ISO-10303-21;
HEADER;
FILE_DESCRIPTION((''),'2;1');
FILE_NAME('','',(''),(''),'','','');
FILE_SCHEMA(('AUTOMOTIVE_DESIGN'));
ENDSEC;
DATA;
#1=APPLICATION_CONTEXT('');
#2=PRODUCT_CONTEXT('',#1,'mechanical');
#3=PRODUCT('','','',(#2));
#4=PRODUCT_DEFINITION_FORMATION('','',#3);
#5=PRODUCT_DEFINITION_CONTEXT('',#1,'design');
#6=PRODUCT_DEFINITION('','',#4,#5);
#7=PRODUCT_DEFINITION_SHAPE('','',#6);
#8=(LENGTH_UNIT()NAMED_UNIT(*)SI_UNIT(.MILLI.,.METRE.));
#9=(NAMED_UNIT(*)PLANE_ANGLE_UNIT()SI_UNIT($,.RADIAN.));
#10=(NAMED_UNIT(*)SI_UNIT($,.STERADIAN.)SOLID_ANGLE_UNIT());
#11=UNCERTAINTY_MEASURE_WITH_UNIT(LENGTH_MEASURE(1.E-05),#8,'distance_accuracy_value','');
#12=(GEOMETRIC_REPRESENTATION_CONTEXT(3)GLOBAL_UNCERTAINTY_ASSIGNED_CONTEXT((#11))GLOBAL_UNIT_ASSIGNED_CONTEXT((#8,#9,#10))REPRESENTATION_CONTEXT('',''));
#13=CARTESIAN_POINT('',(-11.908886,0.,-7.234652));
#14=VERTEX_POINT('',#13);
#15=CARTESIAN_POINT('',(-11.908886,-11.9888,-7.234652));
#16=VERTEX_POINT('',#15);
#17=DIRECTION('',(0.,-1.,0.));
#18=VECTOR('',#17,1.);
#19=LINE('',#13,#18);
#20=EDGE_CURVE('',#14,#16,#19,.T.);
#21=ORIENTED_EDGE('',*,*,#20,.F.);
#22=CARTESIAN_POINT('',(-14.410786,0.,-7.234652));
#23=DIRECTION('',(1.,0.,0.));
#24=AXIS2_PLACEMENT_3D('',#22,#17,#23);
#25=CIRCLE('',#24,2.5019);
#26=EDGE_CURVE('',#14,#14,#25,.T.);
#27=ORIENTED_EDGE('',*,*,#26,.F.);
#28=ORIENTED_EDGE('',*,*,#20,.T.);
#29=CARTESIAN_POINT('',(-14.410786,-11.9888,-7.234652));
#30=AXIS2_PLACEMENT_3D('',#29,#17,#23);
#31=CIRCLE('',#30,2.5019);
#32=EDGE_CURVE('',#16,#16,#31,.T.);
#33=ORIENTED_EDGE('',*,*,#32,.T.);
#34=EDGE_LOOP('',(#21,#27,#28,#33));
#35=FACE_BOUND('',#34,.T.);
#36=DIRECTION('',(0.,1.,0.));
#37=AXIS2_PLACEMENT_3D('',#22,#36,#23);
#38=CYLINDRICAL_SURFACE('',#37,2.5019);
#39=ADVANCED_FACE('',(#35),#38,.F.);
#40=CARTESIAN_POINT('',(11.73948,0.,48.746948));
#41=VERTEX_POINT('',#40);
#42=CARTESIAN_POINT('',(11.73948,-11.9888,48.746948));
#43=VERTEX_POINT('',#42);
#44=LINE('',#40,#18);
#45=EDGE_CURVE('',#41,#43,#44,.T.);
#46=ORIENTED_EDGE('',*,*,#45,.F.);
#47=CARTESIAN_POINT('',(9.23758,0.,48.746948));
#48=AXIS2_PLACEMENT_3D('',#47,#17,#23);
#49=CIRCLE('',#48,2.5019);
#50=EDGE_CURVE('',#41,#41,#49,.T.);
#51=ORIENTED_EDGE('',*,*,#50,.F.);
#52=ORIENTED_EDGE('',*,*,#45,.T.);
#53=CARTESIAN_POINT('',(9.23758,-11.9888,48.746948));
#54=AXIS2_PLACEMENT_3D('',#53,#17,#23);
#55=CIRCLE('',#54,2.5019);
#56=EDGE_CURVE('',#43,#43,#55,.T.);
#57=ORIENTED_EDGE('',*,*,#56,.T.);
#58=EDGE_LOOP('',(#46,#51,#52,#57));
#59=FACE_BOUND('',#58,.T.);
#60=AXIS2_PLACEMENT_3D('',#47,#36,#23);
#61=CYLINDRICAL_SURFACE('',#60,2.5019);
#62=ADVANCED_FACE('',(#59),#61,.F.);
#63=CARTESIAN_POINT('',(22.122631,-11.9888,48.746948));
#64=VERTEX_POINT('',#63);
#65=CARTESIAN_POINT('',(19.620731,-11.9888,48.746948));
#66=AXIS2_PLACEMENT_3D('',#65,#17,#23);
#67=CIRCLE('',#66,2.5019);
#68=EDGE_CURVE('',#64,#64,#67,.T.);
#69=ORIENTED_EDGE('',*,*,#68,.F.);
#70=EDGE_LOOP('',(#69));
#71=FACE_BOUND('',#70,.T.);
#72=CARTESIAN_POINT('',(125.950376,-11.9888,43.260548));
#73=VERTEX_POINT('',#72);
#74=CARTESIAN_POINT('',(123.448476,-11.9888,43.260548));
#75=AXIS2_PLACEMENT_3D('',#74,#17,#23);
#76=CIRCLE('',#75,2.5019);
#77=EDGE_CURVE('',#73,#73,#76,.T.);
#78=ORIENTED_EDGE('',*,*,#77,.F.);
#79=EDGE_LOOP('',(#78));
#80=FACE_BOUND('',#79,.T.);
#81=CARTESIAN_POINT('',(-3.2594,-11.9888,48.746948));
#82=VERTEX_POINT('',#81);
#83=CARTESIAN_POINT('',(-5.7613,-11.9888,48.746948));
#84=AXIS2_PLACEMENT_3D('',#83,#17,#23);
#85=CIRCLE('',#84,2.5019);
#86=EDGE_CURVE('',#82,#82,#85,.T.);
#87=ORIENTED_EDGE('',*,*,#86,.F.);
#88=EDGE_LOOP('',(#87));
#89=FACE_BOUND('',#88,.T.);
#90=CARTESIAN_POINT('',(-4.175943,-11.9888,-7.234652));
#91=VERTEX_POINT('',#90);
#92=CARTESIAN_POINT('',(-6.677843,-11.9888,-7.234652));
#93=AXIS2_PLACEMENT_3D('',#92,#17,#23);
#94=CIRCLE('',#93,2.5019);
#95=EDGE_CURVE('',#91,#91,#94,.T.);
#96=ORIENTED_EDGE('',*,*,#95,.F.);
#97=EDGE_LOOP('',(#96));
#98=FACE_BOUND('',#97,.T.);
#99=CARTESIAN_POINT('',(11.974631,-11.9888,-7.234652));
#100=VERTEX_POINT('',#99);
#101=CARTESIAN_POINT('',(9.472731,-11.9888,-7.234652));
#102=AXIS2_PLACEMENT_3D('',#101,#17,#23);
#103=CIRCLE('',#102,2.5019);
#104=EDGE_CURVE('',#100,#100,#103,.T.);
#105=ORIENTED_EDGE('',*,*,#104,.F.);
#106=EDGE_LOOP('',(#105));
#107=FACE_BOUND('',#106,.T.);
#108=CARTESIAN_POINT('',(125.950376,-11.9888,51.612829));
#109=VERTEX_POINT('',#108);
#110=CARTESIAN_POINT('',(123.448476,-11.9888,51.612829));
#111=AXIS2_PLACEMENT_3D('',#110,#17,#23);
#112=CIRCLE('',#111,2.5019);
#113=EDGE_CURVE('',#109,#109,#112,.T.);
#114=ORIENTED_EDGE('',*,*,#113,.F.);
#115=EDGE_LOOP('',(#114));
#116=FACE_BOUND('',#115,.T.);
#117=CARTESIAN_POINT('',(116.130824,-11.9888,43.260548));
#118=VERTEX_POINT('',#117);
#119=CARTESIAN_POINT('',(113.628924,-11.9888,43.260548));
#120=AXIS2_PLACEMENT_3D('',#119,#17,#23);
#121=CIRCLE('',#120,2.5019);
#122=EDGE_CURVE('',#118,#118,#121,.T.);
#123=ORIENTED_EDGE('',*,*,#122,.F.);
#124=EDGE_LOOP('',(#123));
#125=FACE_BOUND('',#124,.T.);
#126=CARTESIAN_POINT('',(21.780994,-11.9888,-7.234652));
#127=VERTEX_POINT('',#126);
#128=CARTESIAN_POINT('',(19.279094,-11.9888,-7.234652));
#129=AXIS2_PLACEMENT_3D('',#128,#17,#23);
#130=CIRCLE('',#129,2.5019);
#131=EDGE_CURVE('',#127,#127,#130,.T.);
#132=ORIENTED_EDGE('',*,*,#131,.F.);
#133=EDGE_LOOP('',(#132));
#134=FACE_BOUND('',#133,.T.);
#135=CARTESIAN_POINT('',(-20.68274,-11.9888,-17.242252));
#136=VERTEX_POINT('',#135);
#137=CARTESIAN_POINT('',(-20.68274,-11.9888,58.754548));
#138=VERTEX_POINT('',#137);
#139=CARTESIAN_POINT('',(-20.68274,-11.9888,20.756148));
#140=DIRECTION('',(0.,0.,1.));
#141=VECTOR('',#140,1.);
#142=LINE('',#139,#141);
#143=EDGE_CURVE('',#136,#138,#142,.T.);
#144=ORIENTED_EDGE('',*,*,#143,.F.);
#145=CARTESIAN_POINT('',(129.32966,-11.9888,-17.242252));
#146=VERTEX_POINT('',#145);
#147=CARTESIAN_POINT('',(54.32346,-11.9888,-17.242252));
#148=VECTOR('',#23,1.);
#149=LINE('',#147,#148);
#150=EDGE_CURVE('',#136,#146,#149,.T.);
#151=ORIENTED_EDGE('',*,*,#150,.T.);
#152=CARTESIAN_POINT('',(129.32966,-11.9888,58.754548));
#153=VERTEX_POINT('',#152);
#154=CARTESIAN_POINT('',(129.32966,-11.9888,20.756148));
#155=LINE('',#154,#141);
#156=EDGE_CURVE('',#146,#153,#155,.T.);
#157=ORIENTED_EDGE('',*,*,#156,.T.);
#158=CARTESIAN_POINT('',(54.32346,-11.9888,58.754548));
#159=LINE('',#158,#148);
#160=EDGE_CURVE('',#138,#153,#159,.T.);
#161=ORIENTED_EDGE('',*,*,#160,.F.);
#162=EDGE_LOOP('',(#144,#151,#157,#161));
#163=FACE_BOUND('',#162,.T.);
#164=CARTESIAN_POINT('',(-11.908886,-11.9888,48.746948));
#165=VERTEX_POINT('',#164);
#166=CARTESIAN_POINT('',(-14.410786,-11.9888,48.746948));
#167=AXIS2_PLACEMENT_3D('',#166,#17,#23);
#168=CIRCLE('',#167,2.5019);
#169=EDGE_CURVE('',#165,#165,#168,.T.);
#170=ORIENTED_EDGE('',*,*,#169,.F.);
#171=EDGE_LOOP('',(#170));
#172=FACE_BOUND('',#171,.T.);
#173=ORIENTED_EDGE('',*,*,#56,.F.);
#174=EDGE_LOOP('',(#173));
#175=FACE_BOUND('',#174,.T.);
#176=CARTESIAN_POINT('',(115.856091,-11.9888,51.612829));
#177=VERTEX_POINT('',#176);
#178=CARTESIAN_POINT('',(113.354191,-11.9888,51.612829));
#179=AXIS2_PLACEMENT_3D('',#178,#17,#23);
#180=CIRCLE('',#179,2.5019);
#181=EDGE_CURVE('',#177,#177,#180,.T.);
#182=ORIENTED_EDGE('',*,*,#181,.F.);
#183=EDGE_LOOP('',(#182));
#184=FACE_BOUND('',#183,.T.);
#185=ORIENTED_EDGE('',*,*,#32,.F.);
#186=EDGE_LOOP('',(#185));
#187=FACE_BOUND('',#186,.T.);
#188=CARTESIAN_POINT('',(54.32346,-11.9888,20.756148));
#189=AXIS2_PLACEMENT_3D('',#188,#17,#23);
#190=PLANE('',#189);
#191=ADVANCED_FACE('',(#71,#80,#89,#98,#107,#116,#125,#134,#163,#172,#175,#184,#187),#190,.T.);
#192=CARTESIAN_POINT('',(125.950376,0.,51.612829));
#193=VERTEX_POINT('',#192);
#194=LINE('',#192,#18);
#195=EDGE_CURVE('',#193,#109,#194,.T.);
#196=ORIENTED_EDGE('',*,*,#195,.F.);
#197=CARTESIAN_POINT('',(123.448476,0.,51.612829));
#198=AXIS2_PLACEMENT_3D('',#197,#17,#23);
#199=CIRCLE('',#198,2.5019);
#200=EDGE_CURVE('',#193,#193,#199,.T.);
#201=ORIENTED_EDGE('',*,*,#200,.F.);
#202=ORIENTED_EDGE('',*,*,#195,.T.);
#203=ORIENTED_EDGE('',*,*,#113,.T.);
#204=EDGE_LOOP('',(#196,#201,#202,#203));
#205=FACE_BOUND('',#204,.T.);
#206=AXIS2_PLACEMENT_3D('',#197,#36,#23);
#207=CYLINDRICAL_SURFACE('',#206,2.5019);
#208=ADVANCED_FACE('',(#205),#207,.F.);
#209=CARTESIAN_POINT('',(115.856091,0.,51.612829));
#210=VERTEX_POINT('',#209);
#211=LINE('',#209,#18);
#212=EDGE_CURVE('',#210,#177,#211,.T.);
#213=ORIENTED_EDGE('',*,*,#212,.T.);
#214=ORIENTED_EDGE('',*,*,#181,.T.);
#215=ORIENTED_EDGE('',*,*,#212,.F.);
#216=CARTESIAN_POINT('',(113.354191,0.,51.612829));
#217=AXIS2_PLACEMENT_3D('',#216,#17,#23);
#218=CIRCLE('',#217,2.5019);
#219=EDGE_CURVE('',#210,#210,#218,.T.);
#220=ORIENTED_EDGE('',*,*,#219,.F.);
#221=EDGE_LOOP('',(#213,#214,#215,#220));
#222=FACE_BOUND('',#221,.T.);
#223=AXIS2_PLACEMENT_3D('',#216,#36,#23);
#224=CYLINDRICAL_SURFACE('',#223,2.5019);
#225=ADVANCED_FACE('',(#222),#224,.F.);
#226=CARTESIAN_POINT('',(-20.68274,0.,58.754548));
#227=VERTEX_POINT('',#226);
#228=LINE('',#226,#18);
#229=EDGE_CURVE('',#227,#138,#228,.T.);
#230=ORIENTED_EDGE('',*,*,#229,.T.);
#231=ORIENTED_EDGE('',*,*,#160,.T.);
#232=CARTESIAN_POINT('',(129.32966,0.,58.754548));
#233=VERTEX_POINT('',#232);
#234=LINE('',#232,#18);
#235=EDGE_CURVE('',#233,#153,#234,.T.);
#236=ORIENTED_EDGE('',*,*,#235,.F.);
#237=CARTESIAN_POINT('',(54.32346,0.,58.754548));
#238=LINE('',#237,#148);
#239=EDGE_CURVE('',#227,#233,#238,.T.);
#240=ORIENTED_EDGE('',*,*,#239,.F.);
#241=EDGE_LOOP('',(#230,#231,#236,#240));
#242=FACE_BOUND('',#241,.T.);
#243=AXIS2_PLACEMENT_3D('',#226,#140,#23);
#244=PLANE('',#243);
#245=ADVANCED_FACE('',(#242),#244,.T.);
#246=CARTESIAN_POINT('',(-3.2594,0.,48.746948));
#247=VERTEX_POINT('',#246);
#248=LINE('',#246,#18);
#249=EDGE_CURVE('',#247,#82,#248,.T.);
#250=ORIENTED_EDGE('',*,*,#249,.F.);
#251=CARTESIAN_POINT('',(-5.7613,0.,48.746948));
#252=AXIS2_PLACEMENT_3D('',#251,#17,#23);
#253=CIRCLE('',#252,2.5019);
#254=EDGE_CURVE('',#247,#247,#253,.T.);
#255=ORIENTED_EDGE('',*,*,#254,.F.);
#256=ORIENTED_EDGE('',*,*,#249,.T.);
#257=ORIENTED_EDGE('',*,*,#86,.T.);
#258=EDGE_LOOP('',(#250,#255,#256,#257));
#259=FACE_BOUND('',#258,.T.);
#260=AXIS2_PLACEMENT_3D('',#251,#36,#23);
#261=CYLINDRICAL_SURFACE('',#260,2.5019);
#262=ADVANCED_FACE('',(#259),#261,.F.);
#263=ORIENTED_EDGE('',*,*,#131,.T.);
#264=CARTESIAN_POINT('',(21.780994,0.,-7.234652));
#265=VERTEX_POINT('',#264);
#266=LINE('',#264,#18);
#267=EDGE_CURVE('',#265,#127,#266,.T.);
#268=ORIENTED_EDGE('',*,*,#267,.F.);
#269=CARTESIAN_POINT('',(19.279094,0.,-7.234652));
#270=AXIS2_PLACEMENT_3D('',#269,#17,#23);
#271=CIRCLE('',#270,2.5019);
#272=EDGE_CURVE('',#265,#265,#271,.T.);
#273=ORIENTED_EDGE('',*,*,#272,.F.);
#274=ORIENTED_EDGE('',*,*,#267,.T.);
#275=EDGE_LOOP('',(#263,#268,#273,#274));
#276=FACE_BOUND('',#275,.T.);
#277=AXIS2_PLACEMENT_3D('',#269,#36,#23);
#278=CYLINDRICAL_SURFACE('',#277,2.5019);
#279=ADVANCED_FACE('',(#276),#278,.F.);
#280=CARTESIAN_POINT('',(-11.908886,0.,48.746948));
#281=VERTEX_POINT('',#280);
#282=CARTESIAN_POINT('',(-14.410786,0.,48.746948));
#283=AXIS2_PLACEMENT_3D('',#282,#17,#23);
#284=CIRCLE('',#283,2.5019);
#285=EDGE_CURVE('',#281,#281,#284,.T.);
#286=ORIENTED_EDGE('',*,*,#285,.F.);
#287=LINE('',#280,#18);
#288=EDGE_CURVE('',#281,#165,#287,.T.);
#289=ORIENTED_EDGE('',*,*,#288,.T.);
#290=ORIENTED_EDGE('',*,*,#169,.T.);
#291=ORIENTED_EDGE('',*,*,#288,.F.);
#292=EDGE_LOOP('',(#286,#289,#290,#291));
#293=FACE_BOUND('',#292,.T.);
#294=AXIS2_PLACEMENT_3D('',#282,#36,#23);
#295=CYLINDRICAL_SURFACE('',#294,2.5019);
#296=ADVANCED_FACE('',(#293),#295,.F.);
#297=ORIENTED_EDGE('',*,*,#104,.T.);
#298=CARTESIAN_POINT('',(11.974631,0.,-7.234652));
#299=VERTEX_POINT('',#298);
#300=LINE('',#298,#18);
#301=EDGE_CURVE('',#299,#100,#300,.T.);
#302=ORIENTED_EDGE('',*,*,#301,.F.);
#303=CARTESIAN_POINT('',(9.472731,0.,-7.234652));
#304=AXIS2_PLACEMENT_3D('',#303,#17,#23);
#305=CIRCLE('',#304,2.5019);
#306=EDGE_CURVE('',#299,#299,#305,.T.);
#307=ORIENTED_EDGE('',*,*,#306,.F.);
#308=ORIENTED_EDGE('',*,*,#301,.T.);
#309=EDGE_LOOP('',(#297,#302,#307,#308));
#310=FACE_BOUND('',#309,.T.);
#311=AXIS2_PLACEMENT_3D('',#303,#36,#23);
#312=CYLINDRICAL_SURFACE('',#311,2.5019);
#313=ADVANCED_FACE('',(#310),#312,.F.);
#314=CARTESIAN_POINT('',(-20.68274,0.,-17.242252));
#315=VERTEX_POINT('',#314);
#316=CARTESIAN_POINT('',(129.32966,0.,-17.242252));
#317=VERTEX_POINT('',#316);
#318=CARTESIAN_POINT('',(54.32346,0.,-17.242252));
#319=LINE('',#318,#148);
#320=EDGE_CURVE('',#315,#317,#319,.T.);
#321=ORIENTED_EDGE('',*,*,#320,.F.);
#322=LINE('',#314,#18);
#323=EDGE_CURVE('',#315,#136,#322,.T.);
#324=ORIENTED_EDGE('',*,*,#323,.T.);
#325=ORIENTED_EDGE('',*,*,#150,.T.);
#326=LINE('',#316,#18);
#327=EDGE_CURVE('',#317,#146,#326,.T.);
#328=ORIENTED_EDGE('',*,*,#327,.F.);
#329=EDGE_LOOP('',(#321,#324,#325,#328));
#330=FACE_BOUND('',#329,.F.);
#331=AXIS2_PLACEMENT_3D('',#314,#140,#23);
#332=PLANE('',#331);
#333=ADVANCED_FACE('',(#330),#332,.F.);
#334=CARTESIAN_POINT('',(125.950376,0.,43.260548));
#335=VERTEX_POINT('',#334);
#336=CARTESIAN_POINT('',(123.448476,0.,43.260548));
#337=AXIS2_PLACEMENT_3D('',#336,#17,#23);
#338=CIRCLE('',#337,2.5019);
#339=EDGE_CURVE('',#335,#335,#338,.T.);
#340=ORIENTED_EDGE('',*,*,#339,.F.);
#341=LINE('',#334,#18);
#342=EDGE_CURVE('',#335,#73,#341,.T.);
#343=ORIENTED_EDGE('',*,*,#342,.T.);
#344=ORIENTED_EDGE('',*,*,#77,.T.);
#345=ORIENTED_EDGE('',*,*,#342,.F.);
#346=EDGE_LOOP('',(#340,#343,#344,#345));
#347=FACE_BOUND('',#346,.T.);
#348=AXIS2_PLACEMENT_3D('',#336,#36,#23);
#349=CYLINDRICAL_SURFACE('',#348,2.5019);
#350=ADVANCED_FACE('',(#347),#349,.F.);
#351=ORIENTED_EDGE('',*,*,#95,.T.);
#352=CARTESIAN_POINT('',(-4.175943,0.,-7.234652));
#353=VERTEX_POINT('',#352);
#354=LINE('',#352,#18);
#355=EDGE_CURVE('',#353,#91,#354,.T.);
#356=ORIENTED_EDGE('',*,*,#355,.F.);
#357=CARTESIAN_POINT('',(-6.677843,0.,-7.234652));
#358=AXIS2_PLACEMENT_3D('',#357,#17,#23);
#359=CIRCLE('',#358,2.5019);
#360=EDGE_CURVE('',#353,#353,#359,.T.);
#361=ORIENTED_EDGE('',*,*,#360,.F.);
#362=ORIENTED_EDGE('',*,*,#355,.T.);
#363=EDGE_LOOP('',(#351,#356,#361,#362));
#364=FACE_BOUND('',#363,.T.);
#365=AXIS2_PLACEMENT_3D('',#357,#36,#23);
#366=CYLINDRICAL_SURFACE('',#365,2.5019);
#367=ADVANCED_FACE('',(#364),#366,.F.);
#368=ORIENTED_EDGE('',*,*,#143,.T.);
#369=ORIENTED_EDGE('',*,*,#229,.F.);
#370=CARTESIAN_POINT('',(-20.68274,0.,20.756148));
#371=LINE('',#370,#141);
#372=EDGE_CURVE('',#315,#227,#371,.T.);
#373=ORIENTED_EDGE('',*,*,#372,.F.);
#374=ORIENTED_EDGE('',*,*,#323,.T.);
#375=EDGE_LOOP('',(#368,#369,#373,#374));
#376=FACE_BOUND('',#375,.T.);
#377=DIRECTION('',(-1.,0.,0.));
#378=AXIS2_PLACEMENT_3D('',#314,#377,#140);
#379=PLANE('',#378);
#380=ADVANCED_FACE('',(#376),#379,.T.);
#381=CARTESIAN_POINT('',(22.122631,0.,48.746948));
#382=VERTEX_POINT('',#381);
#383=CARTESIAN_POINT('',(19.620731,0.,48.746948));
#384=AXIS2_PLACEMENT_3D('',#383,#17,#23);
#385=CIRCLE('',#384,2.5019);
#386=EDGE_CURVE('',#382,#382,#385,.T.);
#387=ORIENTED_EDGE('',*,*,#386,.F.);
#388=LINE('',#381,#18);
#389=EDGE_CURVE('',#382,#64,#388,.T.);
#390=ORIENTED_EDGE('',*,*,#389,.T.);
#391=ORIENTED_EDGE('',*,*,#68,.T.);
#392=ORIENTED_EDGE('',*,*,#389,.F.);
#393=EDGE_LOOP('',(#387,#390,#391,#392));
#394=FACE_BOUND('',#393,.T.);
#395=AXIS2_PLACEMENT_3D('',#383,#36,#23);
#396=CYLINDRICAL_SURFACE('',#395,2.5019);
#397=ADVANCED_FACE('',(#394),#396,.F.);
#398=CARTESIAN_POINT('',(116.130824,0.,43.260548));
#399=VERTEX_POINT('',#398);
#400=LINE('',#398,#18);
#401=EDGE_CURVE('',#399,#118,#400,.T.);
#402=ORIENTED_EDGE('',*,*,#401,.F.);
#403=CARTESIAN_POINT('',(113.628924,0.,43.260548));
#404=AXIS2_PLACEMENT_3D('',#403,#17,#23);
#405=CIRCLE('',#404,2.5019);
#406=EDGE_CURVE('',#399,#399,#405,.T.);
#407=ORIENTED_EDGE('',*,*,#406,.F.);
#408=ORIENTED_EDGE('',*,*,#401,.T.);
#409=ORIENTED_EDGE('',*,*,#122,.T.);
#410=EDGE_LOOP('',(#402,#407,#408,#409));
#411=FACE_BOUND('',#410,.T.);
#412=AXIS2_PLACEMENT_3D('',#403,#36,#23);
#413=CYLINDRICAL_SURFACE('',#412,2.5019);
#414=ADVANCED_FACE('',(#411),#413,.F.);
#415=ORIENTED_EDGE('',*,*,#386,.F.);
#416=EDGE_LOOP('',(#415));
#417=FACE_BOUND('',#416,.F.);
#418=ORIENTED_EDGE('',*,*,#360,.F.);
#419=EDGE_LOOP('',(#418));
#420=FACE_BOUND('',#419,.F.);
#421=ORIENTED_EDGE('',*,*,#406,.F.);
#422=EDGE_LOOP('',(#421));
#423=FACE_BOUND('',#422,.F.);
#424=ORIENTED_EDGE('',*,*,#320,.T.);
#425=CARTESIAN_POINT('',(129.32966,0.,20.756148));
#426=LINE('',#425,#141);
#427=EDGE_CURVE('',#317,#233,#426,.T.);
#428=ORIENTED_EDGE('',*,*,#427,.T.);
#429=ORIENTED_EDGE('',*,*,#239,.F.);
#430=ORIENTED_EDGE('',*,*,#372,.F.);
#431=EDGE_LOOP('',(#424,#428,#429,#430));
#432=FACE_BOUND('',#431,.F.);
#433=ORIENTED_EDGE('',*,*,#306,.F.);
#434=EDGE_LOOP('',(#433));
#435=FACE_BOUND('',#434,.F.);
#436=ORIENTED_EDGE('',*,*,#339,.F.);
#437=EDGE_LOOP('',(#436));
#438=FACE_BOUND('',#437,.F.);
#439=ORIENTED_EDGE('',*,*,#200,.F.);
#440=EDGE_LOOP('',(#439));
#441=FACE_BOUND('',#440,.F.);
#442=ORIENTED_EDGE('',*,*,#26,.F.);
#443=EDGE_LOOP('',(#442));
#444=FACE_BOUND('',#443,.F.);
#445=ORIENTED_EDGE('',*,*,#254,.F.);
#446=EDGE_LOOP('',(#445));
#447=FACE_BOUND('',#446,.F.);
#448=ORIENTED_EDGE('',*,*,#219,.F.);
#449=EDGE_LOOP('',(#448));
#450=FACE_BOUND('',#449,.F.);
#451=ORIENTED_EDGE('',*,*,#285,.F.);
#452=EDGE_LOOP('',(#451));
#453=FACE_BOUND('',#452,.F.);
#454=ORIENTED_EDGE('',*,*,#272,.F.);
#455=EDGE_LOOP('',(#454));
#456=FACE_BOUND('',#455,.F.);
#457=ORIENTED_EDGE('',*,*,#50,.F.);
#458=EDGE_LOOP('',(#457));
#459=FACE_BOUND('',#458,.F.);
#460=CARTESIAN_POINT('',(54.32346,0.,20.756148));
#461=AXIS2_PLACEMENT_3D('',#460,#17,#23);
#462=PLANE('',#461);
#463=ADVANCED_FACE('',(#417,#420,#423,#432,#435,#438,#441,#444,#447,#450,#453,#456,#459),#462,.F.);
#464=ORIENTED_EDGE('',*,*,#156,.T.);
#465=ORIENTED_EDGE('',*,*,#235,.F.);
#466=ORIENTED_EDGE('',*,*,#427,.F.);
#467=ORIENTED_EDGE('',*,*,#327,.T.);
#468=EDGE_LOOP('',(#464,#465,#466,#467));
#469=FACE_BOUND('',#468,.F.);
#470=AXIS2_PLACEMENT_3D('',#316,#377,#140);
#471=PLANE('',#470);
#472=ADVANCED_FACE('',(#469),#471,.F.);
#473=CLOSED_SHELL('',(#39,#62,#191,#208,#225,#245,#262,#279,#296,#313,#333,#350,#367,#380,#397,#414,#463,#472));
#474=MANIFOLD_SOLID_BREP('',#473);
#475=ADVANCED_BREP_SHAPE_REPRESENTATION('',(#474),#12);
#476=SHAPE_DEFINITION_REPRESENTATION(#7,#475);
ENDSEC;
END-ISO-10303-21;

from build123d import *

# Parameters (mm, degrees)
F0_W     = 150.0124
F0_H     = 75.9968
F0_R     = 2.5019
F1_DEPTH = 11.9888


with BuildPart() as f1:
    # F0 (on Front) → F1 (new body)
    with BuildSketch(Plane.XZ):
        with Locations((54.32346, 20.756148)):
            Rectangle(F0_W, F0_H)
        with Locations((-14.410786, -7.234652)):
            Circle(F0_R, mode=Mode.SUBTRACT)
        with Locations((-6.677843, -7.234652)):
            Circle(F0_R, mode=Mode.SUBTRACT)
        with Locations((9.472731, -7.234652)):
            Circle(F0_R, mode=Mode.SUBTRACT)
        with Locations((19.279094, -7.234652)):
            Circle(F0_R, mode=Mode.SUBTRACT)
        with Locations((-14.410786, 48.746948)):
            Circle(F0_R, mode=Mode.SUBTRACT)
        with Locations((-5.7613, 48.746948)):
            Circle(F0_R, mode=Mode.SUBTRACT)
        with Locations((9.23758, 48.746948)):
            Circle(F0_R, mode=Mode.SUBTRACT)
        with Locations((19.620731, 48.746948)):
            Circle(F0_R, mode=Mode.SUBTRACT)
        with Locations((113.628924, 43.260548)):
            Circle(F0_R, mode=Mode.SUBTRACT)
        with Locations((123.448476, 43.260548)):
            Circle(F0_R, mode=Mode.SUBTRACT)
        with Locations((113.354191, 51.612829)):
            Circle(F0_R, mode=Mode.SUBTRACT)
        with Locations((123.448476, 51.612829)):
            Circle(F0_R, mode=Mode.SUBTRACT)
    extrude(amount=F1_DEPTH)


solid = f1.part
